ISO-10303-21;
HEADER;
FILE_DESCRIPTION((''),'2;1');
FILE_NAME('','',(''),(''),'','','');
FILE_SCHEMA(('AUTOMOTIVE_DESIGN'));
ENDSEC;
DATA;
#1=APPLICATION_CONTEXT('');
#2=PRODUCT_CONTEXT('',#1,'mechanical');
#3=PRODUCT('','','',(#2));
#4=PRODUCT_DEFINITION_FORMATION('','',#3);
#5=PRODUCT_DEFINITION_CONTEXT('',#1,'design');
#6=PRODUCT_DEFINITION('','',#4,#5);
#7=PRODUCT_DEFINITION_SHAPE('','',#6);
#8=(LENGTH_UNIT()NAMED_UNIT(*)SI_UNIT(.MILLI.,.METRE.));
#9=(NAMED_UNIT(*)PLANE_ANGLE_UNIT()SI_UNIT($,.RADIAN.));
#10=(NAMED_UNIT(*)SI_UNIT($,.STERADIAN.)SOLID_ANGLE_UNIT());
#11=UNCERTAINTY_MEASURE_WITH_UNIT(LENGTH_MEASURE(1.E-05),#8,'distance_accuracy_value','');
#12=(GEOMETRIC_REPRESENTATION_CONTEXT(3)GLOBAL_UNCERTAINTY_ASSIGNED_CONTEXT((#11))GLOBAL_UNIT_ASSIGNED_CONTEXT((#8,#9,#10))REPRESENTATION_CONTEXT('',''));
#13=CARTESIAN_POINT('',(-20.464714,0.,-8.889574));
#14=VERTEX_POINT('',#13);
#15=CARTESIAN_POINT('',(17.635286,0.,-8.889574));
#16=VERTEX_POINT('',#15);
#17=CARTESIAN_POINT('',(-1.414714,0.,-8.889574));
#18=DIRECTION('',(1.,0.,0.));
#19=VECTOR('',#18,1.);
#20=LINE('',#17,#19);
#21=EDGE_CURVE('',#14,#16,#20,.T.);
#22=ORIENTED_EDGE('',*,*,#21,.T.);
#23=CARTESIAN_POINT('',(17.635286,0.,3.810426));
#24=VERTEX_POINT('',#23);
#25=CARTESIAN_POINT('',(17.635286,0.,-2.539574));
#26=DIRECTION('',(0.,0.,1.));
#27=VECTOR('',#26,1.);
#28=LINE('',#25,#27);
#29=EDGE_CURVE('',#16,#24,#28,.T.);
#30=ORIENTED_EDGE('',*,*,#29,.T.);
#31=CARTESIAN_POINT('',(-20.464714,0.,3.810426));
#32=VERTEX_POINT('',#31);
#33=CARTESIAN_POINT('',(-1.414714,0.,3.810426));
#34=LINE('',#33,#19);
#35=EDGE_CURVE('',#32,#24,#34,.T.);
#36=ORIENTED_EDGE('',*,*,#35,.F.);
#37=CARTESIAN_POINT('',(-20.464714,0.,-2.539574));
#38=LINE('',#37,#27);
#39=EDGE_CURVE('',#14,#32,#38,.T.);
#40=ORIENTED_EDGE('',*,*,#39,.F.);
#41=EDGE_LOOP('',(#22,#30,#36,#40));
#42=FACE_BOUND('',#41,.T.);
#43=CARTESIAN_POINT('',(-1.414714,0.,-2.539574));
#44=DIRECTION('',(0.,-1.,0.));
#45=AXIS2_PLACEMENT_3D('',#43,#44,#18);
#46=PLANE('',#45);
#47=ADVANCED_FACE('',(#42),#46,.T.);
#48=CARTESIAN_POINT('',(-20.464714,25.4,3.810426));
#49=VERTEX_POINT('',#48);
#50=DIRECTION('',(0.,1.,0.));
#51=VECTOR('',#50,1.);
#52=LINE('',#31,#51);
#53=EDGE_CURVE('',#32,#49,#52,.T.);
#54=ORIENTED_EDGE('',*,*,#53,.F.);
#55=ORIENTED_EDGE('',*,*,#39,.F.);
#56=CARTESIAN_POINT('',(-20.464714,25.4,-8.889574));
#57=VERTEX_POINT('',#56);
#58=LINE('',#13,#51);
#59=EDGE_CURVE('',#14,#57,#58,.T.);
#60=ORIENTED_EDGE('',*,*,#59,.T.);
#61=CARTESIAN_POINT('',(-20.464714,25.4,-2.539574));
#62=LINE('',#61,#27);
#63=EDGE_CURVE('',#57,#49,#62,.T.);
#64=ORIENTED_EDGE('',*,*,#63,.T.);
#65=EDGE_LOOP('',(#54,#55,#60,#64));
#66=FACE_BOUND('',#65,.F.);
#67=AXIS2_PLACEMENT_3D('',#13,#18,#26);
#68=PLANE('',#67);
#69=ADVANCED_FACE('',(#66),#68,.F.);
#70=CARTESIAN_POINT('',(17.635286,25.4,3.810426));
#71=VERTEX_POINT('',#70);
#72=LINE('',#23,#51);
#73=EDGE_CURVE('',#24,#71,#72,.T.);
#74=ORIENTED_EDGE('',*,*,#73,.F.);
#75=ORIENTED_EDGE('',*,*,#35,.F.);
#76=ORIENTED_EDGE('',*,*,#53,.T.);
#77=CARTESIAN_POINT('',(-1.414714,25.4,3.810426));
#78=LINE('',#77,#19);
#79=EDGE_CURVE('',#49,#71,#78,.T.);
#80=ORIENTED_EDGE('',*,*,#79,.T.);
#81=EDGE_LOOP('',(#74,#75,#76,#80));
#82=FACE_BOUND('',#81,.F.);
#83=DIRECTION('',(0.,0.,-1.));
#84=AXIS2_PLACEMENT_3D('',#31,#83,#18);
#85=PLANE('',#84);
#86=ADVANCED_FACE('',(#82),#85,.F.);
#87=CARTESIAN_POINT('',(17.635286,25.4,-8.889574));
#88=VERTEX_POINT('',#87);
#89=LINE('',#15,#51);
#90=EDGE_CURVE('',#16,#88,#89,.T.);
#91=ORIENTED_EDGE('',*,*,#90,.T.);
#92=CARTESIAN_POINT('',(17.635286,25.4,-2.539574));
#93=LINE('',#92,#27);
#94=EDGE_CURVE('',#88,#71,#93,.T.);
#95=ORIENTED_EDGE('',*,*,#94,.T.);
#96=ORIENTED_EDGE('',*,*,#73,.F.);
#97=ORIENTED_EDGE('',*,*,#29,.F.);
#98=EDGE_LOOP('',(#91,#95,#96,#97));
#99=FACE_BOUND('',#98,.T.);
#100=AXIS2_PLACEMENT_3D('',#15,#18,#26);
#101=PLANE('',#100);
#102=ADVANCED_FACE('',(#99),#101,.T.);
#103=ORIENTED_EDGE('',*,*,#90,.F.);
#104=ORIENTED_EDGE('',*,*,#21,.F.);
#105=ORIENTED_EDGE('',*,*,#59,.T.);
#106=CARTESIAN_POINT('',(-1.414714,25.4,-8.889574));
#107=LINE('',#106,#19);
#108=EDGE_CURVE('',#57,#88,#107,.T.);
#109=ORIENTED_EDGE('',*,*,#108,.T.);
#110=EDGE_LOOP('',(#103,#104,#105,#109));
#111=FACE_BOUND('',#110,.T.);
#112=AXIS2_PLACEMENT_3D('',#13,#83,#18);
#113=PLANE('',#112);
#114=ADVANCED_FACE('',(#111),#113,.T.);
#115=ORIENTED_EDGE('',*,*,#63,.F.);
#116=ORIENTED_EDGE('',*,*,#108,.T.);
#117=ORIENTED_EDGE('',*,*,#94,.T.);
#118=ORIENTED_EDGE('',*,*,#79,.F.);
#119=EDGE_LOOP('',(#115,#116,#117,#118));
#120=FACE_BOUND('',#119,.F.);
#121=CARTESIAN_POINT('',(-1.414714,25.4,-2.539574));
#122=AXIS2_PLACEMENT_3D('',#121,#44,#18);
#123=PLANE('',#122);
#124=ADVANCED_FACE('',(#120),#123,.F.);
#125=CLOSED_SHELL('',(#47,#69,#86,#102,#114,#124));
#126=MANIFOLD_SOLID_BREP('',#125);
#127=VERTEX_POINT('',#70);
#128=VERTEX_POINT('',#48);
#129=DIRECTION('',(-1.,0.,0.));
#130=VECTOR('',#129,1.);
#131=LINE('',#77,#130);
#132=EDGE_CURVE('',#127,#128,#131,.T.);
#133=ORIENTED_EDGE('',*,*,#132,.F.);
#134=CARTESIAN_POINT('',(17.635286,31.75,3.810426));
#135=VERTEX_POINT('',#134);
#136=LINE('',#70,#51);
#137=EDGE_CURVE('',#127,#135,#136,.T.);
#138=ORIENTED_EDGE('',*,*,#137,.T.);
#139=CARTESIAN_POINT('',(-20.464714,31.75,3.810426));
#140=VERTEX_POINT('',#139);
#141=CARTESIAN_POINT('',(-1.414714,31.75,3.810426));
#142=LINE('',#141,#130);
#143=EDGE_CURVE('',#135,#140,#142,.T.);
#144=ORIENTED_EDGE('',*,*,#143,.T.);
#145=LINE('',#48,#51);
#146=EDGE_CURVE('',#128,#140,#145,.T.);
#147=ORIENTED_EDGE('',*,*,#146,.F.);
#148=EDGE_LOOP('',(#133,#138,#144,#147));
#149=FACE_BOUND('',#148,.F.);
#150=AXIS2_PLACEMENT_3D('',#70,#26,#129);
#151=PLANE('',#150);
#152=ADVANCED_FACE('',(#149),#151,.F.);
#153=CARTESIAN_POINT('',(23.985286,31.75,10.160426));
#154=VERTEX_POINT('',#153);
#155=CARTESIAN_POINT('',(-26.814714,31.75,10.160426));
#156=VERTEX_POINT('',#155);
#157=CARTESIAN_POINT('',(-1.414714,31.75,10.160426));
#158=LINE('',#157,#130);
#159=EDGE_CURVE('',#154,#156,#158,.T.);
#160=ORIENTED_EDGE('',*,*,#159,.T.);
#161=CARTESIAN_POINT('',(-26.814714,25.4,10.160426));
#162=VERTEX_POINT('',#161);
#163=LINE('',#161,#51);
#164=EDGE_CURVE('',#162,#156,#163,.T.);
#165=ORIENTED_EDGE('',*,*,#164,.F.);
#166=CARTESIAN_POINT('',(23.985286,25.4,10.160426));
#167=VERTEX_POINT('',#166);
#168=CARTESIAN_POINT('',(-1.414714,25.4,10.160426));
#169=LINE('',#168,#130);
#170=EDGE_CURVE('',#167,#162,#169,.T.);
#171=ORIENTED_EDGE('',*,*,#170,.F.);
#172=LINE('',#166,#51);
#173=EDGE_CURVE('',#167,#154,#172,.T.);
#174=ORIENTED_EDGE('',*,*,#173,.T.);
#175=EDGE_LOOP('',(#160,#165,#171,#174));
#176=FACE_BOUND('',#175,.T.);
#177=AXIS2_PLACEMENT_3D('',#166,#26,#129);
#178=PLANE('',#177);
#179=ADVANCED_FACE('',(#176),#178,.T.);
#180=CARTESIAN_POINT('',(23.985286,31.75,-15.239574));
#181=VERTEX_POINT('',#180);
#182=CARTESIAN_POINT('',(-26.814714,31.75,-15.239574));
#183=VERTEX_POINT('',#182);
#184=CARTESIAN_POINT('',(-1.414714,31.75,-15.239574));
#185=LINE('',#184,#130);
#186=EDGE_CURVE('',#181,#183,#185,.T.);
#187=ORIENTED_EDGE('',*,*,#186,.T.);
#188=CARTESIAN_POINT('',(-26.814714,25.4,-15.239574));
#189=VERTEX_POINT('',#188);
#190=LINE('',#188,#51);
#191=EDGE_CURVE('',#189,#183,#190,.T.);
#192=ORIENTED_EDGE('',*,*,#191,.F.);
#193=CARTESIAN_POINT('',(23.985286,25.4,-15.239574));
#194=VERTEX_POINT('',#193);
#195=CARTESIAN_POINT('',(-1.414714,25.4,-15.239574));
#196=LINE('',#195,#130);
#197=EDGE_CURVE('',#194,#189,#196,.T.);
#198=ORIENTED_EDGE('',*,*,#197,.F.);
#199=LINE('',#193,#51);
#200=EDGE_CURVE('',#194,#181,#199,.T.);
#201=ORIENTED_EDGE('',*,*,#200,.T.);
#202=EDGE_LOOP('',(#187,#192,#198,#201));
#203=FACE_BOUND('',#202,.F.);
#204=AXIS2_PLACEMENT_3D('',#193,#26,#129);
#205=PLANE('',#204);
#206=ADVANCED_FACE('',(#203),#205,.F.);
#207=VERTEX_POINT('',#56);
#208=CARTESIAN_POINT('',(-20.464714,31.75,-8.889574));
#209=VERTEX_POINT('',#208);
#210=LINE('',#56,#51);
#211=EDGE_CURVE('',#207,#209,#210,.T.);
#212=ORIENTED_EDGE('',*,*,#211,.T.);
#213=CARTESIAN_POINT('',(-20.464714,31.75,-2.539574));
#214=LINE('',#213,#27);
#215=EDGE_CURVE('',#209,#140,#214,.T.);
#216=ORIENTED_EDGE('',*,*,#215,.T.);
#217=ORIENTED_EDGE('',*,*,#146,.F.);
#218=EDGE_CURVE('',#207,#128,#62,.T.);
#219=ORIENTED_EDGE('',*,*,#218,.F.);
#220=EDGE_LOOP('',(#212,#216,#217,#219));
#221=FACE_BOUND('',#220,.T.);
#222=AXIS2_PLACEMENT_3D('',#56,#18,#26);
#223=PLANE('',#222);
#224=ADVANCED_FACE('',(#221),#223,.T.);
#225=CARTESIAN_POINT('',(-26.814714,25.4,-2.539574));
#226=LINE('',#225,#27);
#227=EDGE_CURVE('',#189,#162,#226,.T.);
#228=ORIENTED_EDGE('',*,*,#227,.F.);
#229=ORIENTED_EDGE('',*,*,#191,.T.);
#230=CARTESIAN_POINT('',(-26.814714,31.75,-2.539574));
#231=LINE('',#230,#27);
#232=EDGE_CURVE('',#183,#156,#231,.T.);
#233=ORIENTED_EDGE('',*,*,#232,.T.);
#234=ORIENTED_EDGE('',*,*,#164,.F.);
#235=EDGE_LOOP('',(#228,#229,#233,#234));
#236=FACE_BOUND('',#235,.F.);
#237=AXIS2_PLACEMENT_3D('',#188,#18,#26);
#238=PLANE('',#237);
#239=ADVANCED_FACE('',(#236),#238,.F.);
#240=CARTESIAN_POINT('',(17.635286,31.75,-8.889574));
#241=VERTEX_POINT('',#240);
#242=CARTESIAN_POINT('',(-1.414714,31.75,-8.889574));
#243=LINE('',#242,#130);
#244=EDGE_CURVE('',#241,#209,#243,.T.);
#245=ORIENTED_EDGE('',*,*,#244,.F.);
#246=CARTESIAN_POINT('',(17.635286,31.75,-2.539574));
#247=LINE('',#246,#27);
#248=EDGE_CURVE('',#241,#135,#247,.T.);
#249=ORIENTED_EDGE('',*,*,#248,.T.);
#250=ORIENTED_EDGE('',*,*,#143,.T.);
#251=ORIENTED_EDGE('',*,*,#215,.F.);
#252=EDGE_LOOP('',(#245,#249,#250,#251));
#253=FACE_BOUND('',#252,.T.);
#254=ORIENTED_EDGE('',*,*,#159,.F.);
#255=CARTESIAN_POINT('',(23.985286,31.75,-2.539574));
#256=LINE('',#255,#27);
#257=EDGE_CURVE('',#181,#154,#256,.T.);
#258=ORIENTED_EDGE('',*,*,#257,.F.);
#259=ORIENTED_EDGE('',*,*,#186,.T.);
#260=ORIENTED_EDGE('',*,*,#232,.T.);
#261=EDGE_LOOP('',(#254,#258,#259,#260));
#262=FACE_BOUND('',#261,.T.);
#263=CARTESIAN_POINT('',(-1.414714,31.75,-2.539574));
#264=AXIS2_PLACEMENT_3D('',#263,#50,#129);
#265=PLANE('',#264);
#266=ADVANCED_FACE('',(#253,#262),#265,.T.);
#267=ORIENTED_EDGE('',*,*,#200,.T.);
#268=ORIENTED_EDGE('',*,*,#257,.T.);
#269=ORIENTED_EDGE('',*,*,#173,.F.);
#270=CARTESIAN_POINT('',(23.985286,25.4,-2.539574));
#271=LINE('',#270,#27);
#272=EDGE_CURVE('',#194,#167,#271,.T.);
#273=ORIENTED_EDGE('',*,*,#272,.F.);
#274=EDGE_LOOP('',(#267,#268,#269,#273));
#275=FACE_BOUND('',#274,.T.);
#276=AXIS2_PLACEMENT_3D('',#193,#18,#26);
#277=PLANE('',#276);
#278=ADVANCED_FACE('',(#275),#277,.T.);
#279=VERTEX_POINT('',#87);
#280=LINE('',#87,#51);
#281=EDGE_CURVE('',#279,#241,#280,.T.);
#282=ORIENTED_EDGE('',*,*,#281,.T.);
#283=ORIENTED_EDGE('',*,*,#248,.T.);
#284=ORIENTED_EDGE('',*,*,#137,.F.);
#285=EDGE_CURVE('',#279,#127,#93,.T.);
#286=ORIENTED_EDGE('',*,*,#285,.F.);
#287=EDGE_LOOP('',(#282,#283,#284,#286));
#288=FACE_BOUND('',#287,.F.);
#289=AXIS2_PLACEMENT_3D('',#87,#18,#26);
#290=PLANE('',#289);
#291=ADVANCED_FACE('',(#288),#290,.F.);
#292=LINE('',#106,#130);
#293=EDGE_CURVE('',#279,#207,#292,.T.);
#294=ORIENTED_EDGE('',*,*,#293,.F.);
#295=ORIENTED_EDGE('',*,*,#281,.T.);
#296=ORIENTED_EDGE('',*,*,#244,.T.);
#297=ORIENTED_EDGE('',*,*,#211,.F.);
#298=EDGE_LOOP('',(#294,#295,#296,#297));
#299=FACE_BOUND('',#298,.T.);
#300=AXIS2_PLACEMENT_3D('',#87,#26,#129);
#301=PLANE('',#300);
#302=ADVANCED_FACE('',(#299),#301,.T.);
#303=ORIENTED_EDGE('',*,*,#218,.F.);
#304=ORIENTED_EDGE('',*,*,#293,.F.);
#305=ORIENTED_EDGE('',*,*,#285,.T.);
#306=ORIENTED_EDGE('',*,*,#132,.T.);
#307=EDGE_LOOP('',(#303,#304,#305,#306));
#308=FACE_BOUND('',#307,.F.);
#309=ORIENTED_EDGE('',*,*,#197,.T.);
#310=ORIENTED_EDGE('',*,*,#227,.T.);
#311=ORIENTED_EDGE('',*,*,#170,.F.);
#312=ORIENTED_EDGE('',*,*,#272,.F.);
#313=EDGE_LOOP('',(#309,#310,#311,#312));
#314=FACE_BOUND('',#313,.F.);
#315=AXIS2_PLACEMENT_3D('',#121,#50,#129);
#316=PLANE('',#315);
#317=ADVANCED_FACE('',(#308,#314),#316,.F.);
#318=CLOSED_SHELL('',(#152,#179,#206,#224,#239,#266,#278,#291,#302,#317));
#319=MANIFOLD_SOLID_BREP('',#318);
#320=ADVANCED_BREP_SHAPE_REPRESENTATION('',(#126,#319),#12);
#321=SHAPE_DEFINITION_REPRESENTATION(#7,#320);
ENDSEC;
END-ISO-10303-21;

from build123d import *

# Parameters (mm, degrees)
F0_W     = 38.1
F0_H     = 12.7
F1_DEPTH = 25.4
F2_W     = 50.8
F2_H     = 25.4
F2_W_2   = 38.1
F2_H_2   = 12.7
F3_DEPTH = 6.35


with BuildPart() as f1:
    # F0 (on Front) → F1 (new body)
    with BuildSketch(Plane.XZ):
        with Locations((-1.414714, -2.539574)):
            Rectangle(F0_W, F0_H)
    extrude(amount=-F1_DEPTH)


with BuildPart() as f3:
    # F2 (on face) → F3 (new body)
    with BuildSketch(Plane(origin=(0, 25.4, 0), x_dir=(-1, 0, 0), z_dir=(0, 1, 0))):
        with Locations((1.414714, -2.539574)):
            Rectangle(F2_W, F2_H)
        with Locations((1.414714, -2.539574)):
            Rectangle(F2_W_2, F2_H_2, mode=Mode.SUBTRACT)
    extrude(amount=F3_DEPTH)


solid = Compound([f1.part, f3.part])
